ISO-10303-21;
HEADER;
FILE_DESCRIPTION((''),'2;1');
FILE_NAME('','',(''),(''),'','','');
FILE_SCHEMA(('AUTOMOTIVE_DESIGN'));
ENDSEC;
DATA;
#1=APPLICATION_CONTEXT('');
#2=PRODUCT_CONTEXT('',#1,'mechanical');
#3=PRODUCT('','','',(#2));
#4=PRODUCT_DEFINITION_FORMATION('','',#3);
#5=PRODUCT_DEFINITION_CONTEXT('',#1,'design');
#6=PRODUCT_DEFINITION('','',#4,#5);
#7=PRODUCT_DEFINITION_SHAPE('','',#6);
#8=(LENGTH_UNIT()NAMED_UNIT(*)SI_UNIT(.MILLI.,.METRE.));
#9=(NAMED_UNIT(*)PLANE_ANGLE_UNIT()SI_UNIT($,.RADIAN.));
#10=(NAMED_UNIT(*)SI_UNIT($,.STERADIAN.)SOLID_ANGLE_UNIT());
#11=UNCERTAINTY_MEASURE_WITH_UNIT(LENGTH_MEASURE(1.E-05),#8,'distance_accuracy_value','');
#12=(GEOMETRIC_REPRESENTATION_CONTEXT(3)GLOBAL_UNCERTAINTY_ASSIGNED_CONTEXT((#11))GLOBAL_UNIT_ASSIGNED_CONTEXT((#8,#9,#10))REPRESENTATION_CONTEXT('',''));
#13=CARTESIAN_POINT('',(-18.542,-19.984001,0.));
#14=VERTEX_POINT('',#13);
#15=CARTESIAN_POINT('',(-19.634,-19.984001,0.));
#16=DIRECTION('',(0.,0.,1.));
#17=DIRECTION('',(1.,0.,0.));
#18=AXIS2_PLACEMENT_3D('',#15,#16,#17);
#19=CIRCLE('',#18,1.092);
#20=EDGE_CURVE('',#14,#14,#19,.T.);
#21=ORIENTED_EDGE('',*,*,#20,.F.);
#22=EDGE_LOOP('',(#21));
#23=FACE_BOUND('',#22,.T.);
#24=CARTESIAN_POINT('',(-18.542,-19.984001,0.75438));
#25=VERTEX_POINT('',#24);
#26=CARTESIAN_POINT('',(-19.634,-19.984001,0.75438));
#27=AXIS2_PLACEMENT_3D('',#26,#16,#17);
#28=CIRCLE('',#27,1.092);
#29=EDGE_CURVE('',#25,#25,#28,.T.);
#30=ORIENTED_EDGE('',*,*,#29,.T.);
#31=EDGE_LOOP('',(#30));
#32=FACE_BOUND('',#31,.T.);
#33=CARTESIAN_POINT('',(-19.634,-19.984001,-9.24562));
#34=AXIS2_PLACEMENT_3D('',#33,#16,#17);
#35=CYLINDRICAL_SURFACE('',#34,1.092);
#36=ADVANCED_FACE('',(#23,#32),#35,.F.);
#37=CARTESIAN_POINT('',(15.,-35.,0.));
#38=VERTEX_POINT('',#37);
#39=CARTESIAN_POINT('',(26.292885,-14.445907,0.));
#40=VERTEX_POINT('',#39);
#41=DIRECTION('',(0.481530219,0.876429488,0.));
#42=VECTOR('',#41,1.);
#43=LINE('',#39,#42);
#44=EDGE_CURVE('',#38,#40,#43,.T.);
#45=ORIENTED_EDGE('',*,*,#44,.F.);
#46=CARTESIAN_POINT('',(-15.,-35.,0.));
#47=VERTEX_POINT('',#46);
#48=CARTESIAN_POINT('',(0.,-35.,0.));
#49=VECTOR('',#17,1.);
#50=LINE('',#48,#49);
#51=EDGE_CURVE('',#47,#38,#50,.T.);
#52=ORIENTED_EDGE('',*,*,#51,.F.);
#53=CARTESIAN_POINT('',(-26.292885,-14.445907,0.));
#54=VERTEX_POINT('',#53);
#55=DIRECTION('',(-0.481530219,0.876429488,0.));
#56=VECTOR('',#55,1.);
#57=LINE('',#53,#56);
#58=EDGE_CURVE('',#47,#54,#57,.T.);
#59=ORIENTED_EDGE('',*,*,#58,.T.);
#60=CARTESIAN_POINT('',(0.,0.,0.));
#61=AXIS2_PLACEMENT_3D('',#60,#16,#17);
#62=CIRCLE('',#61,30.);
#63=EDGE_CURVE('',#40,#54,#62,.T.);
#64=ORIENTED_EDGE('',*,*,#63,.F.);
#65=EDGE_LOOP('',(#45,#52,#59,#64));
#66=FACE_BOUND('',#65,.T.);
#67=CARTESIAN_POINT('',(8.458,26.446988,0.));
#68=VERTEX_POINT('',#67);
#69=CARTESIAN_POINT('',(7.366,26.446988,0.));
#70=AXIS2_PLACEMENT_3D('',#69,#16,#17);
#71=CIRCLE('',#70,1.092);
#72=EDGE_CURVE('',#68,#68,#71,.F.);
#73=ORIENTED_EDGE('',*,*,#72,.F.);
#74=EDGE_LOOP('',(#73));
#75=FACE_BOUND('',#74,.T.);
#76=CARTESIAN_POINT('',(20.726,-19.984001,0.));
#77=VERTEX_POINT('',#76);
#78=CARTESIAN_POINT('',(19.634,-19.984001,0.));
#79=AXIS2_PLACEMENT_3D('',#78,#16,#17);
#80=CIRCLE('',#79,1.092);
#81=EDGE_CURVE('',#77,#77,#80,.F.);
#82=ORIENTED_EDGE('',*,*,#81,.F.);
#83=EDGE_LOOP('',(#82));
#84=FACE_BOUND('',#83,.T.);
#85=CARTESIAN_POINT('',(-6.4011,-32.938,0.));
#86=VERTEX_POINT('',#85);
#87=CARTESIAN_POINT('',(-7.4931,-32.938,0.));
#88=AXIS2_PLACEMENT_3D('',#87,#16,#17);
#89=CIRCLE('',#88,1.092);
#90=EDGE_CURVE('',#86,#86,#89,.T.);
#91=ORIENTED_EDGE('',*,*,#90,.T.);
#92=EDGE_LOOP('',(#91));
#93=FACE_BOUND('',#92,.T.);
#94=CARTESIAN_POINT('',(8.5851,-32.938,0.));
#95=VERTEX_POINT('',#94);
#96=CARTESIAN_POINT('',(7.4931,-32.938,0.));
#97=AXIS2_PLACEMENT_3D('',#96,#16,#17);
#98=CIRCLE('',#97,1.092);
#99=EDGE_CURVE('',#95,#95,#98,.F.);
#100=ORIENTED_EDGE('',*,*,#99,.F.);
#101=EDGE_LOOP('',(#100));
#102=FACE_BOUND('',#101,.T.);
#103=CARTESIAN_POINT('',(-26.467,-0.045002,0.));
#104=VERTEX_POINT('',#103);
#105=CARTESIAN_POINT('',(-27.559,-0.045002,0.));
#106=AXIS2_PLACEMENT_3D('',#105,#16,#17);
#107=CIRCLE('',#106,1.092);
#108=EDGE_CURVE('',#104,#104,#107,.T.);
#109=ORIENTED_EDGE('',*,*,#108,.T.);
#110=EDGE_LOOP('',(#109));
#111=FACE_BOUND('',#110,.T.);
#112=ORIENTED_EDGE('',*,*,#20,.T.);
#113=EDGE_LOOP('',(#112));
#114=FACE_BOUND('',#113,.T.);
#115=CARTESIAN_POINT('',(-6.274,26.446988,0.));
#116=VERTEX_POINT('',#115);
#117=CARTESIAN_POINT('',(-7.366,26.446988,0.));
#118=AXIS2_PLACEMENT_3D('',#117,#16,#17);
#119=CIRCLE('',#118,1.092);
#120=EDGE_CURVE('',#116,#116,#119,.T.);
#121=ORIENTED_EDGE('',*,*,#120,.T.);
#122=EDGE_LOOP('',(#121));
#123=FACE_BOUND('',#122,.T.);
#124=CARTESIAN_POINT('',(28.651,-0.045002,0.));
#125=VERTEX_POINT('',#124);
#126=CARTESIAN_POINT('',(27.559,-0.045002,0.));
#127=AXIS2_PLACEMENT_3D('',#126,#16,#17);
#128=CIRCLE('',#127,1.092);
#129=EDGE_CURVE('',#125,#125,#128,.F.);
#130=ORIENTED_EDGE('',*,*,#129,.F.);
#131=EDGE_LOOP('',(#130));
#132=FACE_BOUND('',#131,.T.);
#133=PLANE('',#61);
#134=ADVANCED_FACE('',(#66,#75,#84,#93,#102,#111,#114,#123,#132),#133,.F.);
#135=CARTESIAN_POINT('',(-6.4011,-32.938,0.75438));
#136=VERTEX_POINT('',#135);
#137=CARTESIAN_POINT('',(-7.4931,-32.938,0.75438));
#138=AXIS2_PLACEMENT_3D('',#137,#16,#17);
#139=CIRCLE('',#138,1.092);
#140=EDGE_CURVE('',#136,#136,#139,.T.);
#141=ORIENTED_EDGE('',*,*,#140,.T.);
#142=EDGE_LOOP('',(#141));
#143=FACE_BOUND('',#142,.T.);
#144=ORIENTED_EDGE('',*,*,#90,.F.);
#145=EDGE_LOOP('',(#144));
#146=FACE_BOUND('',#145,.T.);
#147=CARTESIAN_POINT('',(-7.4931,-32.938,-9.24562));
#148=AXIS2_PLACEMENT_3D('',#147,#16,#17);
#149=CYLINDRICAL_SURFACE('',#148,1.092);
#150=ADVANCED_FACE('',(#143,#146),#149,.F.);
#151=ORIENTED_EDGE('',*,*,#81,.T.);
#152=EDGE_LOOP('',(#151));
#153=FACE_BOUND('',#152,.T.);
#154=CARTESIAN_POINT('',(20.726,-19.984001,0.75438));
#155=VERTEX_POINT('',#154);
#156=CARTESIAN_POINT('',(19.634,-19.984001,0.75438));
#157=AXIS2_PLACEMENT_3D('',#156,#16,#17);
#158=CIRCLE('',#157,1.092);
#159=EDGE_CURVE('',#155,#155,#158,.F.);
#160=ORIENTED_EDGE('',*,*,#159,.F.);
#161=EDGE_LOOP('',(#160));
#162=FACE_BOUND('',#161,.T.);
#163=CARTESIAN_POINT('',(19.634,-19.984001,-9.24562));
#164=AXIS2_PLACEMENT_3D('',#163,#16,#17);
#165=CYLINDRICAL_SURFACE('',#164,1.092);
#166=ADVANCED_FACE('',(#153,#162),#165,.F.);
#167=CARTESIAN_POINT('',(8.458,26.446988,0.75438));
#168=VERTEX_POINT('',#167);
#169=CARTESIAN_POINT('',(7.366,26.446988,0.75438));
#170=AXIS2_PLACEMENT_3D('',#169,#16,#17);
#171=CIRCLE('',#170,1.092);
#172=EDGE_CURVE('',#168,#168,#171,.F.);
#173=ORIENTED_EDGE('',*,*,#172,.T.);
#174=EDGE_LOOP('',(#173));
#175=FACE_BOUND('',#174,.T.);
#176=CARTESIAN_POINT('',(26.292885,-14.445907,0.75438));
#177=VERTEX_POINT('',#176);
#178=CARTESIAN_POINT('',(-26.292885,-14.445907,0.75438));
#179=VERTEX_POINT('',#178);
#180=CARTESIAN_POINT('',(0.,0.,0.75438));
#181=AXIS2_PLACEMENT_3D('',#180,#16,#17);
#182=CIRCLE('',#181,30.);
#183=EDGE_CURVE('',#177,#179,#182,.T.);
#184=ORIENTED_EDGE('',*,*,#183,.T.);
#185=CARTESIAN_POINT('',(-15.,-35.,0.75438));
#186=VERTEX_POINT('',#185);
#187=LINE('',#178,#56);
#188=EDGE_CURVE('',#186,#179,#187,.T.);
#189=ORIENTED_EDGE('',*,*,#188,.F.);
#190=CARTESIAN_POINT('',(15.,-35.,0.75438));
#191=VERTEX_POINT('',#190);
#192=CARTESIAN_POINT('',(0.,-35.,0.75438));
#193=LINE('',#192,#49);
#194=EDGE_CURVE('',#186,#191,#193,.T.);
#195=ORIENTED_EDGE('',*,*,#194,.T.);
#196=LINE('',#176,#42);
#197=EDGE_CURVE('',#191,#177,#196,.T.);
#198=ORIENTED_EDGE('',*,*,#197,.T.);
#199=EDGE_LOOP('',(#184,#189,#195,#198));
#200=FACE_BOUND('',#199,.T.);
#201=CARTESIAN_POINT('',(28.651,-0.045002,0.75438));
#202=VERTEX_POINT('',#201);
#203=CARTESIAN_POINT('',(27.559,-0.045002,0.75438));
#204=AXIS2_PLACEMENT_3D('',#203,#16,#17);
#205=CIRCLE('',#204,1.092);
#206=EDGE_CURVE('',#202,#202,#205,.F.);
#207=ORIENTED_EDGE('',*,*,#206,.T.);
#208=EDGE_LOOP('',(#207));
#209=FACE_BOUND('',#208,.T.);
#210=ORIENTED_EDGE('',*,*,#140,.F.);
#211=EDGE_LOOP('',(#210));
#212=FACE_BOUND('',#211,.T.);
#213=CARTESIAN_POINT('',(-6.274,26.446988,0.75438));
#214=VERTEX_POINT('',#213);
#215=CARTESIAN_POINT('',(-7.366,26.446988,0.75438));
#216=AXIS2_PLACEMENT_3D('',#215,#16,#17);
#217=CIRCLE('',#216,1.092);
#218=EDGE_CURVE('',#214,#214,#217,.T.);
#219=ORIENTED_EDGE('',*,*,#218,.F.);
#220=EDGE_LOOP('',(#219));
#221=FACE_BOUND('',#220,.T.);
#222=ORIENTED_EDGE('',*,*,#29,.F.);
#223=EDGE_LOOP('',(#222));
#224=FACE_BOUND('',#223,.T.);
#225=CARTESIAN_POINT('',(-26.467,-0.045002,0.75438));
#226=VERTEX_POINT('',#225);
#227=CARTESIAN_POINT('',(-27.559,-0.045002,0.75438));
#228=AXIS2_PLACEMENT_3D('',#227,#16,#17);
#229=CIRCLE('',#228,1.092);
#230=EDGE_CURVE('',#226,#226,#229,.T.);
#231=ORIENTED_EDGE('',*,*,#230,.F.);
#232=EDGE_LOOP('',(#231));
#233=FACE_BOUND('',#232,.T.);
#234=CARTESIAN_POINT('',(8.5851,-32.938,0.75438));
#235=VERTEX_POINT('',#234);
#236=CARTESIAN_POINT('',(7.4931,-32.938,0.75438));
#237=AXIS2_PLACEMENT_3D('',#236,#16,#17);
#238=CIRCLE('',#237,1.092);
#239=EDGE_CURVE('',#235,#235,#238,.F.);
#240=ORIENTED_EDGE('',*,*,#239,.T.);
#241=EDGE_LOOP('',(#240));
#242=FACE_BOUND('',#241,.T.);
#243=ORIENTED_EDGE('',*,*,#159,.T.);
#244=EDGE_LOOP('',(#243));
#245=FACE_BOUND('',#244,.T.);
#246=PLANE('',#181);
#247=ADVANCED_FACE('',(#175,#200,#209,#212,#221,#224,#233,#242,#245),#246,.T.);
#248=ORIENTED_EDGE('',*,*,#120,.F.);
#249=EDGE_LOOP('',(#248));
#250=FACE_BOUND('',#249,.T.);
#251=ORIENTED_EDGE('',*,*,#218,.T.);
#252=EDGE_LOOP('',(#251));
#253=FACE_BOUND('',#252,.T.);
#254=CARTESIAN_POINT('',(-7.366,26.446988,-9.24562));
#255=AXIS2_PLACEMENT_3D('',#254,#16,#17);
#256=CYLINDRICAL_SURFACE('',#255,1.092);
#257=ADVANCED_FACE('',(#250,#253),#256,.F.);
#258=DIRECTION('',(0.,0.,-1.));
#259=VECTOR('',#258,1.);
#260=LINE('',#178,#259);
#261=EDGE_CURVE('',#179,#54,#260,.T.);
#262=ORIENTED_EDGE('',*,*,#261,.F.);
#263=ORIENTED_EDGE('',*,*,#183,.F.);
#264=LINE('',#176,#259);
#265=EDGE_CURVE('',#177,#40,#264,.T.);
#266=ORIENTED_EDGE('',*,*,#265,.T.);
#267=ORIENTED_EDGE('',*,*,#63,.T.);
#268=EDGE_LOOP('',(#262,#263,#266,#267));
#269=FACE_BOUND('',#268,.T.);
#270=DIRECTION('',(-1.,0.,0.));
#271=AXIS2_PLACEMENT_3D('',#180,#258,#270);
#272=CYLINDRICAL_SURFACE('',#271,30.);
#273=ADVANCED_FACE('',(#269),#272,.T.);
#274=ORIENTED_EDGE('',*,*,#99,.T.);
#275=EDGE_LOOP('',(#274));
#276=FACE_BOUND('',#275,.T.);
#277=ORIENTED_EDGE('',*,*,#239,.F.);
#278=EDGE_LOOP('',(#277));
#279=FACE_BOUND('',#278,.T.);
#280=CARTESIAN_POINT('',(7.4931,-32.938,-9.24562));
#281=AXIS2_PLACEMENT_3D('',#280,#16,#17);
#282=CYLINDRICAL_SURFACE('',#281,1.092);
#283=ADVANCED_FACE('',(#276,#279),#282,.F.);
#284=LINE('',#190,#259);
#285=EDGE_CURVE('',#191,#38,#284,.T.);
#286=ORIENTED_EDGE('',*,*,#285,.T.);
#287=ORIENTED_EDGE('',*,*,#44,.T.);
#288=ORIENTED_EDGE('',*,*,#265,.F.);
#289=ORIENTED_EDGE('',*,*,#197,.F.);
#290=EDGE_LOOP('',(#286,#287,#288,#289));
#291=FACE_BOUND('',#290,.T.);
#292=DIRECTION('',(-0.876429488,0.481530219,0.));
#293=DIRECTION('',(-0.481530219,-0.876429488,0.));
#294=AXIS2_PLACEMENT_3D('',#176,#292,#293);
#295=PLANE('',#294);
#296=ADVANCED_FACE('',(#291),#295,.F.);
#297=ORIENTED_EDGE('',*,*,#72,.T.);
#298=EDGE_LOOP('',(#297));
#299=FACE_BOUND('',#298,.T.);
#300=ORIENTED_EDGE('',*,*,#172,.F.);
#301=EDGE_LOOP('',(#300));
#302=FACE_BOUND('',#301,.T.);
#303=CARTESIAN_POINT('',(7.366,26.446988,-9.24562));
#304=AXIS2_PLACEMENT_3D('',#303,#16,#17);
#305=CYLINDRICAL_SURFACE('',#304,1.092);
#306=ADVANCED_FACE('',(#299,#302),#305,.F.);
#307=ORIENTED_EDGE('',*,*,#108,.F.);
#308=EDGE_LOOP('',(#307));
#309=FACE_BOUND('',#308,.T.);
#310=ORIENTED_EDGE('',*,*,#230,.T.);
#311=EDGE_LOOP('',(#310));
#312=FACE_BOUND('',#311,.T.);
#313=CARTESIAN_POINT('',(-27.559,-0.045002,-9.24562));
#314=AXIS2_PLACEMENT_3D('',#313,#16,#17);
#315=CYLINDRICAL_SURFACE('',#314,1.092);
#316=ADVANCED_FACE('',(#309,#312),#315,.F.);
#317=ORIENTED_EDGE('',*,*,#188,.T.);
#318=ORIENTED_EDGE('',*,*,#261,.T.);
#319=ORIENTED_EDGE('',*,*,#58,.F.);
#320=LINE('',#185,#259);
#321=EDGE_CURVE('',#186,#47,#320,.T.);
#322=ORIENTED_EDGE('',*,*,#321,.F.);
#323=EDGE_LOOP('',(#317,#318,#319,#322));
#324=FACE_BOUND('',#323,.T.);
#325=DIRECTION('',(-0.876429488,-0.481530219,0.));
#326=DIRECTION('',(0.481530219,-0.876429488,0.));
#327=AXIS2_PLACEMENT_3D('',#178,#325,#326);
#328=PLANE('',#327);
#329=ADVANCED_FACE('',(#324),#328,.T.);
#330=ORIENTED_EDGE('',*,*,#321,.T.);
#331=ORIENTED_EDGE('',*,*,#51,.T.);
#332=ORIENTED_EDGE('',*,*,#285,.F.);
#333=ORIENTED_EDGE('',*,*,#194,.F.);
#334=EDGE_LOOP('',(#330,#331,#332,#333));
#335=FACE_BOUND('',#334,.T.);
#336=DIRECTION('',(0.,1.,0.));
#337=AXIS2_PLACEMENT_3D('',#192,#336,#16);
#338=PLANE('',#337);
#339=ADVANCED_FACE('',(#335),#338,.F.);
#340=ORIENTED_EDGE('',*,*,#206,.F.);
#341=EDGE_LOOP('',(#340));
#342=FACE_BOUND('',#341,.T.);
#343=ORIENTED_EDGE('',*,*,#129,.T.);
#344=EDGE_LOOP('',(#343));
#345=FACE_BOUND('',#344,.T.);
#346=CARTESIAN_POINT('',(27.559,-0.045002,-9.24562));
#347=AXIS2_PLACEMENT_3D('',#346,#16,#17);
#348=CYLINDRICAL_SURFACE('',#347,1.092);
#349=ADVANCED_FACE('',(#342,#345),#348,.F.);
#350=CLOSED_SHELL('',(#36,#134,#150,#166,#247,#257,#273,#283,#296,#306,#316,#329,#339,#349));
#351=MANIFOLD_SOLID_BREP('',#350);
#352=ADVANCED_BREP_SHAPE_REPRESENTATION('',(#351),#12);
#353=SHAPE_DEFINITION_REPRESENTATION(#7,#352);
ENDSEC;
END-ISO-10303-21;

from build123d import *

# Parameters (mm, degrees)
BOSS_EXTRUDE1_DEPTH   = 0.75438
ESBO_O1_R             = 1.09200001
CORTE_EXTRUS_O1_DEPTH = 10


with BuildPart() as part:
    # Sketch1 → Boss-Extrude1 (new body)
    with BuildSketch(Plane.XY):
        with BuildLine():
            Line((-15, -35), (15, -35))
            Line((15, -35), (26.292884648, -14.44590658))
            ThreePointArc((26.292884648, -14.44590658), (0, 30), (-26.292884648, -14.44590658))
            Line((-26.292884648, -14.44590658), (-15, -35))
        make_face()
    extrude(amount=BOSS_EXTRUDE1_DEPTH)

    # Esboço1 → Corte-extrusão1 (cut)
    with BuildSketch(Plane.XY.offset(0.75438)):
        with Locations((-7.4931, -32.938)):
            Circle(ESBO_O1_R)
        with Locations((-7.366, 26.4469878)):
            Circle(ESBO_O1_R)
        with Locations((-27.559, -0.0450022)):
            Circle(ESBO_O1_R)
        with Locations((-19.634, -19.9840012)):
            Circle(ESBO_O1_R)
        with Locations((7.366, 26.4469878)):
            Circle(ESBO_O1_R)
        with Locations((7.4931, -32.938)):
            Circle(ESBO_O1_R)
        with Locations((19.634, -19.9840012)):
            Circle(ESBO_O1_R)
        with Locations((27.559, -0.0450022)):
            Circle(ESBO_O1_R)
    extrude(amount=-CORTE_EXTRUS_O1_DEPTH, mode=Mode.SUBTRACT)


solid = part.part
